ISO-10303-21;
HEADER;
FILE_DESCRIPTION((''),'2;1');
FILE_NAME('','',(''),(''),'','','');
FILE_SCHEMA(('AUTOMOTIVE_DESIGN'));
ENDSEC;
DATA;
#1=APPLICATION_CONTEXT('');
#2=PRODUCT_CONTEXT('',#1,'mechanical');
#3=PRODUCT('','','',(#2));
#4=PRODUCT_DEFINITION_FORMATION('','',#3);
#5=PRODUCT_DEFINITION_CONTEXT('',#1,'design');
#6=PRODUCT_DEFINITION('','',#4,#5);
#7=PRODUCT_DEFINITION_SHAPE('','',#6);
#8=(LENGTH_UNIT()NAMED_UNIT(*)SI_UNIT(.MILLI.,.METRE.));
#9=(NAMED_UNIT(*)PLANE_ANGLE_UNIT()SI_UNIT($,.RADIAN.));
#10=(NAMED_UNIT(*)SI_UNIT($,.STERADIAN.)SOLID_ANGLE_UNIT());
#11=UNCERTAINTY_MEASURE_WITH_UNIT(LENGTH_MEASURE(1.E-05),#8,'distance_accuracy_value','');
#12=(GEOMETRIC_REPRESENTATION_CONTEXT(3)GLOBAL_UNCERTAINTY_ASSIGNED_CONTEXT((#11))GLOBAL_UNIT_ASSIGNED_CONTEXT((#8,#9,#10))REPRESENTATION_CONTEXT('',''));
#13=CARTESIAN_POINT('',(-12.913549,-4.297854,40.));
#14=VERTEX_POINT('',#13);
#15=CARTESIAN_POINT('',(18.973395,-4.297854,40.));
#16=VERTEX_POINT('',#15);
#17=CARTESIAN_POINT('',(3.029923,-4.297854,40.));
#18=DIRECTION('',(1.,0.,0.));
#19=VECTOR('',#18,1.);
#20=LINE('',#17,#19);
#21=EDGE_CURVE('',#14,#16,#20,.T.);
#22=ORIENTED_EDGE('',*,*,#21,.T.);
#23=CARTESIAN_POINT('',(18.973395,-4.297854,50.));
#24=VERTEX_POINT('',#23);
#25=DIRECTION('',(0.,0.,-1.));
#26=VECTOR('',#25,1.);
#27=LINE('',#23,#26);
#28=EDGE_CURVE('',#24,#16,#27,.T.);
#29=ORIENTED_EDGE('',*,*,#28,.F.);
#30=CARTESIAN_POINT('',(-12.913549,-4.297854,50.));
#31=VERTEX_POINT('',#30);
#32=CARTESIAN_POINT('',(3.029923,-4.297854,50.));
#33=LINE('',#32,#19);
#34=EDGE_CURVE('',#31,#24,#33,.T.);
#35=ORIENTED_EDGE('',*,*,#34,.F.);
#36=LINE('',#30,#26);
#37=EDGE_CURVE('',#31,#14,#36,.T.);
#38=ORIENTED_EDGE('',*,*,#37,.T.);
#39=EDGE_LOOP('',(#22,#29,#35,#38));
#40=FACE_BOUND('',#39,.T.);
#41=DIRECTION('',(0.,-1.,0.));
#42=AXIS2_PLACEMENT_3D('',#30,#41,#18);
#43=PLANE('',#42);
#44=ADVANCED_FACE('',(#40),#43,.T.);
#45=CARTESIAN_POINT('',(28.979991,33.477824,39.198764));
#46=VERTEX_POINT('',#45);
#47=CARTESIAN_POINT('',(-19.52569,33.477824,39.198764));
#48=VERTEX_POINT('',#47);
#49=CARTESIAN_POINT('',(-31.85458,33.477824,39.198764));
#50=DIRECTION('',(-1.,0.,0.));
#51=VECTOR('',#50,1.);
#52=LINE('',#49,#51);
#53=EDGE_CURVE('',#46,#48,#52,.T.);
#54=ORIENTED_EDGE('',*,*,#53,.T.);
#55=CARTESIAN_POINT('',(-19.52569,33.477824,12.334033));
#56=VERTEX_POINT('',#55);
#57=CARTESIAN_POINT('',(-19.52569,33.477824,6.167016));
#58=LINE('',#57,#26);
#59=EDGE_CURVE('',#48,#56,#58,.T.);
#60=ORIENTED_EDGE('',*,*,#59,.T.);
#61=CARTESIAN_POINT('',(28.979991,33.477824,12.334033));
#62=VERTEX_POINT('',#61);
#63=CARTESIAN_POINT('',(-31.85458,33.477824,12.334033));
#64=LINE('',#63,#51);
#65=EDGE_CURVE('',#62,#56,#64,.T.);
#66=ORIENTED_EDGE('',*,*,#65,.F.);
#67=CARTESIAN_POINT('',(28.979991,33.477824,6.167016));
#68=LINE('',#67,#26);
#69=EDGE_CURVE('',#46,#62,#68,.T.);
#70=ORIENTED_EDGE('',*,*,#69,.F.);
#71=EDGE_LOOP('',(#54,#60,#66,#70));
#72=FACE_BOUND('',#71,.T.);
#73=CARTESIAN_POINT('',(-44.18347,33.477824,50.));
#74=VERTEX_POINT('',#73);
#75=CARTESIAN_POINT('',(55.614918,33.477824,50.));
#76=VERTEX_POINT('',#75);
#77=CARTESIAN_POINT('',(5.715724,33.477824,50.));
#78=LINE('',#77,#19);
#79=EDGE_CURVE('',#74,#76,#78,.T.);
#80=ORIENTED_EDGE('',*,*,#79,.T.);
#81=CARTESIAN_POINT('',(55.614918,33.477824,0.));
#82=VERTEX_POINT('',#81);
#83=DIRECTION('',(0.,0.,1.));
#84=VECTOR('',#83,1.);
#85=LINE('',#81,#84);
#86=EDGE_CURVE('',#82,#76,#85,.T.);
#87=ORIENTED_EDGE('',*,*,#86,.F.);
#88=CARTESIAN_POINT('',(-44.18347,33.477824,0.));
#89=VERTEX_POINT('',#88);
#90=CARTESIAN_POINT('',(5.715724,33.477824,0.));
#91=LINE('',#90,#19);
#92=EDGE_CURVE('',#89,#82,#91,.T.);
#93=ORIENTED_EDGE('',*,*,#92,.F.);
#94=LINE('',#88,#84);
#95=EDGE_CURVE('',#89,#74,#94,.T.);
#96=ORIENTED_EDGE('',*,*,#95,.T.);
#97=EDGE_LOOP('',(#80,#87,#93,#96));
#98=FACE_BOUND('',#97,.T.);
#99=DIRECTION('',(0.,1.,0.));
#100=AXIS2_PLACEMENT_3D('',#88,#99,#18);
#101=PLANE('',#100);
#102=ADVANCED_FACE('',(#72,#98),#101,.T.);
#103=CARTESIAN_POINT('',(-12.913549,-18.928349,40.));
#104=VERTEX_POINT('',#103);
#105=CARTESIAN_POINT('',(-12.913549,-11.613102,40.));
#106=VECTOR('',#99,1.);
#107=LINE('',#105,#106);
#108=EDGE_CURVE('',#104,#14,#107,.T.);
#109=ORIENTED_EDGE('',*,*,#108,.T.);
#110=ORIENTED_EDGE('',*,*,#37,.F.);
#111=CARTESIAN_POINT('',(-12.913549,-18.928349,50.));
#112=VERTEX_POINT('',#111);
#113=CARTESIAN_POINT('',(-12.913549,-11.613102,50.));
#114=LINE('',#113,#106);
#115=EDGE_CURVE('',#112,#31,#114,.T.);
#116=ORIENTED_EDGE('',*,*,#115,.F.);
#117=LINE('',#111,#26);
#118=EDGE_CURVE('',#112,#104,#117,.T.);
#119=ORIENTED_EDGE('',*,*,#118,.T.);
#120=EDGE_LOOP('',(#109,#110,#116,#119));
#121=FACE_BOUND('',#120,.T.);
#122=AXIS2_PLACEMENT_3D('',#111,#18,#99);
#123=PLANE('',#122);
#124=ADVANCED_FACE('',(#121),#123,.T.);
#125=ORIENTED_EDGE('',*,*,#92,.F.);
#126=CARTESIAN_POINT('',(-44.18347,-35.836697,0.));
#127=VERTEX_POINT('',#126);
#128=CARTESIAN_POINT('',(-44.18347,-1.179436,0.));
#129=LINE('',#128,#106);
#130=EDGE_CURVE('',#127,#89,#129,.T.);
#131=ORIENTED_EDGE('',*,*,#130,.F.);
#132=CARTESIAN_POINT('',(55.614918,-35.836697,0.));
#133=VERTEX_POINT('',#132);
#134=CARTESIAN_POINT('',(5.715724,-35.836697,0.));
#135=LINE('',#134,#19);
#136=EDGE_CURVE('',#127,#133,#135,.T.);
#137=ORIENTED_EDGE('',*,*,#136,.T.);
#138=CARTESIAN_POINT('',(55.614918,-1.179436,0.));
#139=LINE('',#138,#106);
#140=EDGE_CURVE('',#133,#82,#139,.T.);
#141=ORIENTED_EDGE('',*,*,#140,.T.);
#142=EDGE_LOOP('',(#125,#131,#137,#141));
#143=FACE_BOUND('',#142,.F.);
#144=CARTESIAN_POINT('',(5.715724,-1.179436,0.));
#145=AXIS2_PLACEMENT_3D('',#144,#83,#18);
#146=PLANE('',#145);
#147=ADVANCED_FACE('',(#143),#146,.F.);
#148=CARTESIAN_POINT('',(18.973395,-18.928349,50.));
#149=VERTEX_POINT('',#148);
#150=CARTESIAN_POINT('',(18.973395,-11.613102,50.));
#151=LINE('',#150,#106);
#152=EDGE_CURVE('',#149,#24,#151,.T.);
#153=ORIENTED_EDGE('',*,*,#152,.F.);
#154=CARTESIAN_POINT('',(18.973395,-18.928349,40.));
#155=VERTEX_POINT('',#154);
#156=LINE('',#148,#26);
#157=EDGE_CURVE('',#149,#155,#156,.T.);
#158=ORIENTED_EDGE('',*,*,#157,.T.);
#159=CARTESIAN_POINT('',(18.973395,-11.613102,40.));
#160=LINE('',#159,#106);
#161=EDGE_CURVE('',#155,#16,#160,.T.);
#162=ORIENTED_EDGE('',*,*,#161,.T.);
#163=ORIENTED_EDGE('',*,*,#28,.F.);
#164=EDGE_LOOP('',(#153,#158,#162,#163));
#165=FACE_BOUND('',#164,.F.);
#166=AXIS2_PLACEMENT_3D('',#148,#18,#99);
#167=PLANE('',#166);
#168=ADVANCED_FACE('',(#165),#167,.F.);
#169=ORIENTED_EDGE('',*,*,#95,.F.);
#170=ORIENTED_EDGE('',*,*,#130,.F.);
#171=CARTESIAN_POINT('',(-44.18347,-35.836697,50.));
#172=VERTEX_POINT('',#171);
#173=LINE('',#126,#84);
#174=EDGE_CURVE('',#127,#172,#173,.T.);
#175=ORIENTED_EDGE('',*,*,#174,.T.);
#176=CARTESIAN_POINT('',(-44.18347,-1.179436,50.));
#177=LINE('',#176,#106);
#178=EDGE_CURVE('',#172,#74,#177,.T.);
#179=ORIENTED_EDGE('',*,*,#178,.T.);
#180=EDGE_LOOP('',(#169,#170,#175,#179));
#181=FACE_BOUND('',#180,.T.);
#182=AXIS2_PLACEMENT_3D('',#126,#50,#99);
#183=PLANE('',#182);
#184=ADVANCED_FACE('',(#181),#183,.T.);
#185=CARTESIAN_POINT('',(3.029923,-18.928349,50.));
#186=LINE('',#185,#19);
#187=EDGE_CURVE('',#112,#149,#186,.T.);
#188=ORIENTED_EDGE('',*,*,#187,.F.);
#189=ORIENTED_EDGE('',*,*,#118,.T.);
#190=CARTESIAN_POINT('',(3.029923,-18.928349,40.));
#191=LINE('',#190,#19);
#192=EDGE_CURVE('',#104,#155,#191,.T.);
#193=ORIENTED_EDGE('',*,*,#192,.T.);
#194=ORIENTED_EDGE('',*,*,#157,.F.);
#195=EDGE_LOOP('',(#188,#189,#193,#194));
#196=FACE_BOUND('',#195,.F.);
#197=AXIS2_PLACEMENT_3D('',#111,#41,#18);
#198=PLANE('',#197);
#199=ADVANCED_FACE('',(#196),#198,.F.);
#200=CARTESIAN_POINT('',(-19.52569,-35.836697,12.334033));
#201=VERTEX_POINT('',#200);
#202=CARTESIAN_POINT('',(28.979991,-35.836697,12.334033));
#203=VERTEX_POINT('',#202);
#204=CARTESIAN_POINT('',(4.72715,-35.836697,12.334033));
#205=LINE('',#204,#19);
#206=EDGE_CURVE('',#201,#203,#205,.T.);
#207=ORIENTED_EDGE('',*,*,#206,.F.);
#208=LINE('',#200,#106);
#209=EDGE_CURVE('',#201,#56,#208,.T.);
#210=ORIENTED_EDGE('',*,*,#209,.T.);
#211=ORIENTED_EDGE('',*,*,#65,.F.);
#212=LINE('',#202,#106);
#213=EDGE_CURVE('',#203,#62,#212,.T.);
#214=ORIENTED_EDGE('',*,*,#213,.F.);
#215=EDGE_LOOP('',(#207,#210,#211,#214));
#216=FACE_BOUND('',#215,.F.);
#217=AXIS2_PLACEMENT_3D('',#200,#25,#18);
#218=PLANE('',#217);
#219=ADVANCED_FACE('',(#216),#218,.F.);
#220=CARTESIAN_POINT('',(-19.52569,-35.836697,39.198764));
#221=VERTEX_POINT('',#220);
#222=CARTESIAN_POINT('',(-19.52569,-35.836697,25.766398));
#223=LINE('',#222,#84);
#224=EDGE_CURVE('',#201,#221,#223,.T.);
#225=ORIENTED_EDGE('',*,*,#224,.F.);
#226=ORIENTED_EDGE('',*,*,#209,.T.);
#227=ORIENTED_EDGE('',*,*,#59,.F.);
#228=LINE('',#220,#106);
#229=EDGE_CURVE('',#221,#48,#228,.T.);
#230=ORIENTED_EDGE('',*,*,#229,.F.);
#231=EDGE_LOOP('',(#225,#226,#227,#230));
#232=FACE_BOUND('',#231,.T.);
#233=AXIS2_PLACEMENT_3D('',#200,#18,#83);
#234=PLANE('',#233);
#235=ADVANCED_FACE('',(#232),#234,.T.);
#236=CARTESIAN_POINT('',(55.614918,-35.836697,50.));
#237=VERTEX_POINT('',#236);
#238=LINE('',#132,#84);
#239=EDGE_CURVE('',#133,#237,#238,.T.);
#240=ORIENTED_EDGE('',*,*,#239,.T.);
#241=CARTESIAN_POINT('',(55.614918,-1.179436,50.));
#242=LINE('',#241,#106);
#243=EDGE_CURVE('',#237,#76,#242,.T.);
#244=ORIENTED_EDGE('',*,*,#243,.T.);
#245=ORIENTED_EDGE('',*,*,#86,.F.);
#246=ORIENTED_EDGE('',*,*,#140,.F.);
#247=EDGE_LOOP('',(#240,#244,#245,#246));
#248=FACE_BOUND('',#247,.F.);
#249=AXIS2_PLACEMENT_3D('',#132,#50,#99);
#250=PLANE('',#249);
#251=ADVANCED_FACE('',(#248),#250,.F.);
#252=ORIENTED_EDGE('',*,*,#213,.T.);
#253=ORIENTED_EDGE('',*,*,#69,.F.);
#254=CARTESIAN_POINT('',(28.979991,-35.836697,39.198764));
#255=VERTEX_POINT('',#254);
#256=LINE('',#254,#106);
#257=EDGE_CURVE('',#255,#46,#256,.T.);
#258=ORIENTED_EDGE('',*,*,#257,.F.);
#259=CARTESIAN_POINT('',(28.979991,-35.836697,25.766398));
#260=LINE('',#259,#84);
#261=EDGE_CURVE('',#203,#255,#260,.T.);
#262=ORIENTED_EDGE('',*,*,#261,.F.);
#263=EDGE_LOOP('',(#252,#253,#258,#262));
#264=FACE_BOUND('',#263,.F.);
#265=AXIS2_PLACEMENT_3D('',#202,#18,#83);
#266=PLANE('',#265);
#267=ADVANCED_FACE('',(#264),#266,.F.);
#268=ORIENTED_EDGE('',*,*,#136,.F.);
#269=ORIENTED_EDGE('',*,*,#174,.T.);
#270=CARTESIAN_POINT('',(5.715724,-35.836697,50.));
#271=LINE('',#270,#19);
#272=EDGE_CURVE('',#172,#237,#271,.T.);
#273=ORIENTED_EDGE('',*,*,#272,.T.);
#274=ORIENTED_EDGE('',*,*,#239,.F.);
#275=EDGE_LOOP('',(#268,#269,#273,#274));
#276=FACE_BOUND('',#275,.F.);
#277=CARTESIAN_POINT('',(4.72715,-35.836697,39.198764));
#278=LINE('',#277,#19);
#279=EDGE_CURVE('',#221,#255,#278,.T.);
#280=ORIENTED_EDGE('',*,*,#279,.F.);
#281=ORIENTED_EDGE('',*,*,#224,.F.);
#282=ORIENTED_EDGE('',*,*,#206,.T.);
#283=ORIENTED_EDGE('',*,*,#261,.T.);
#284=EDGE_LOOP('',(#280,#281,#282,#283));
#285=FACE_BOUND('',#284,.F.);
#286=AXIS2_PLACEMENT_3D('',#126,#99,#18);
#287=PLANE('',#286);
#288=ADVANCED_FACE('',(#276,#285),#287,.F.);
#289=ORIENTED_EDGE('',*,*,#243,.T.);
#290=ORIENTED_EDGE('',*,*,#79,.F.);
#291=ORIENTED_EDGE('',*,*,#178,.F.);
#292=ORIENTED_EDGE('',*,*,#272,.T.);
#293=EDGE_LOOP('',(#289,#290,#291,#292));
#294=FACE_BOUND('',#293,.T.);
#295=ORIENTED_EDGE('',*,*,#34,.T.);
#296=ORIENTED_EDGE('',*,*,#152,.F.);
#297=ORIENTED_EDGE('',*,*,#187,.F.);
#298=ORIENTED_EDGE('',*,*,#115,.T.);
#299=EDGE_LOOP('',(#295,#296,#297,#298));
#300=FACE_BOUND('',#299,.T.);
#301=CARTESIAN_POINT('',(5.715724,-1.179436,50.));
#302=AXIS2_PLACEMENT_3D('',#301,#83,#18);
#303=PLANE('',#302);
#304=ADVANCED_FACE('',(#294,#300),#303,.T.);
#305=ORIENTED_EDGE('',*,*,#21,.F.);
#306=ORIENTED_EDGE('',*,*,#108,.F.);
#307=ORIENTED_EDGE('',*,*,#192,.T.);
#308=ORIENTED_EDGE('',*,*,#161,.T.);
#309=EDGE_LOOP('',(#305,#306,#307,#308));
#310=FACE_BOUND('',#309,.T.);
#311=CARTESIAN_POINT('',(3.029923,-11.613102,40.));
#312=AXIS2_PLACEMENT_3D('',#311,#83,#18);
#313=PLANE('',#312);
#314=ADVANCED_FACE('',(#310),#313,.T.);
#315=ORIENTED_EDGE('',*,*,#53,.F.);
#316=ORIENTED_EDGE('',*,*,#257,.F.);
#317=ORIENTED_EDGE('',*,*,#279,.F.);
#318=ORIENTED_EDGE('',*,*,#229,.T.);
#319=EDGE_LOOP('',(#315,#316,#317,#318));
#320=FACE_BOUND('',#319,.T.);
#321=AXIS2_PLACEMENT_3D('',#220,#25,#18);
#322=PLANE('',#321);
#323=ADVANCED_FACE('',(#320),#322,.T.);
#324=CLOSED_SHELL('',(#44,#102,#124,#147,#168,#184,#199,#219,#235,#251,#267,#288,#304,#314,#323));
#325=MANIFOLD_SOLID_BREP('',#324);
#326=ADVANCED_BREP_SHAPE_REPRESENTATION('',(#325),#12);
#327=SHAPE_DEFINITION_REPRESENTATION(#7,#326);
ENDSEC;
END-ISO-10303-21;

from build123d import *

# Parameters (mm, degrees)
F0_W     = 99.7983887792
F0_H     = 69.3145208061
F1_DEPTH = 50
F2_W     = 48.5056806356
F2_H     = 26.864730753
F3_DEPTH = 100
F7_W     = 31.8869445473
F7_H     = 14.6304946393
F8_DEPTH = 10


with BuildPart() as f1:
    # F0 (on Top) → F1 (new body)
    with BuildSketch(Plane.XY):
        with Locations((5.7157240808, -1.1794362217)):
            Rectangle(F0_W, F0_H)
    extrude(amount=F1_DEPTH)

    # F2 (on face) → F3 (cut)
    with BuildSketch(Plane.XZ.offset(35.8366966248)):
        with Locations((4.7271503136, 25.766398292)):
            Rectangle(F2_W, F2_H)
    extrude(amount=-F3_DEPTH, mode=Mode.SUBTRACT)

    # F7 (on face) → F8 (cut)
    with BuildSketch(Plane.XY.offset(50)):
        with Locations((3.0299229547, -11.6131016985)):
            Rectangle(F7_W, F7_H)
    extrude(amount=-F8_DEPTH, mode=Mode.SUBTRACT)


solid = f1.part
